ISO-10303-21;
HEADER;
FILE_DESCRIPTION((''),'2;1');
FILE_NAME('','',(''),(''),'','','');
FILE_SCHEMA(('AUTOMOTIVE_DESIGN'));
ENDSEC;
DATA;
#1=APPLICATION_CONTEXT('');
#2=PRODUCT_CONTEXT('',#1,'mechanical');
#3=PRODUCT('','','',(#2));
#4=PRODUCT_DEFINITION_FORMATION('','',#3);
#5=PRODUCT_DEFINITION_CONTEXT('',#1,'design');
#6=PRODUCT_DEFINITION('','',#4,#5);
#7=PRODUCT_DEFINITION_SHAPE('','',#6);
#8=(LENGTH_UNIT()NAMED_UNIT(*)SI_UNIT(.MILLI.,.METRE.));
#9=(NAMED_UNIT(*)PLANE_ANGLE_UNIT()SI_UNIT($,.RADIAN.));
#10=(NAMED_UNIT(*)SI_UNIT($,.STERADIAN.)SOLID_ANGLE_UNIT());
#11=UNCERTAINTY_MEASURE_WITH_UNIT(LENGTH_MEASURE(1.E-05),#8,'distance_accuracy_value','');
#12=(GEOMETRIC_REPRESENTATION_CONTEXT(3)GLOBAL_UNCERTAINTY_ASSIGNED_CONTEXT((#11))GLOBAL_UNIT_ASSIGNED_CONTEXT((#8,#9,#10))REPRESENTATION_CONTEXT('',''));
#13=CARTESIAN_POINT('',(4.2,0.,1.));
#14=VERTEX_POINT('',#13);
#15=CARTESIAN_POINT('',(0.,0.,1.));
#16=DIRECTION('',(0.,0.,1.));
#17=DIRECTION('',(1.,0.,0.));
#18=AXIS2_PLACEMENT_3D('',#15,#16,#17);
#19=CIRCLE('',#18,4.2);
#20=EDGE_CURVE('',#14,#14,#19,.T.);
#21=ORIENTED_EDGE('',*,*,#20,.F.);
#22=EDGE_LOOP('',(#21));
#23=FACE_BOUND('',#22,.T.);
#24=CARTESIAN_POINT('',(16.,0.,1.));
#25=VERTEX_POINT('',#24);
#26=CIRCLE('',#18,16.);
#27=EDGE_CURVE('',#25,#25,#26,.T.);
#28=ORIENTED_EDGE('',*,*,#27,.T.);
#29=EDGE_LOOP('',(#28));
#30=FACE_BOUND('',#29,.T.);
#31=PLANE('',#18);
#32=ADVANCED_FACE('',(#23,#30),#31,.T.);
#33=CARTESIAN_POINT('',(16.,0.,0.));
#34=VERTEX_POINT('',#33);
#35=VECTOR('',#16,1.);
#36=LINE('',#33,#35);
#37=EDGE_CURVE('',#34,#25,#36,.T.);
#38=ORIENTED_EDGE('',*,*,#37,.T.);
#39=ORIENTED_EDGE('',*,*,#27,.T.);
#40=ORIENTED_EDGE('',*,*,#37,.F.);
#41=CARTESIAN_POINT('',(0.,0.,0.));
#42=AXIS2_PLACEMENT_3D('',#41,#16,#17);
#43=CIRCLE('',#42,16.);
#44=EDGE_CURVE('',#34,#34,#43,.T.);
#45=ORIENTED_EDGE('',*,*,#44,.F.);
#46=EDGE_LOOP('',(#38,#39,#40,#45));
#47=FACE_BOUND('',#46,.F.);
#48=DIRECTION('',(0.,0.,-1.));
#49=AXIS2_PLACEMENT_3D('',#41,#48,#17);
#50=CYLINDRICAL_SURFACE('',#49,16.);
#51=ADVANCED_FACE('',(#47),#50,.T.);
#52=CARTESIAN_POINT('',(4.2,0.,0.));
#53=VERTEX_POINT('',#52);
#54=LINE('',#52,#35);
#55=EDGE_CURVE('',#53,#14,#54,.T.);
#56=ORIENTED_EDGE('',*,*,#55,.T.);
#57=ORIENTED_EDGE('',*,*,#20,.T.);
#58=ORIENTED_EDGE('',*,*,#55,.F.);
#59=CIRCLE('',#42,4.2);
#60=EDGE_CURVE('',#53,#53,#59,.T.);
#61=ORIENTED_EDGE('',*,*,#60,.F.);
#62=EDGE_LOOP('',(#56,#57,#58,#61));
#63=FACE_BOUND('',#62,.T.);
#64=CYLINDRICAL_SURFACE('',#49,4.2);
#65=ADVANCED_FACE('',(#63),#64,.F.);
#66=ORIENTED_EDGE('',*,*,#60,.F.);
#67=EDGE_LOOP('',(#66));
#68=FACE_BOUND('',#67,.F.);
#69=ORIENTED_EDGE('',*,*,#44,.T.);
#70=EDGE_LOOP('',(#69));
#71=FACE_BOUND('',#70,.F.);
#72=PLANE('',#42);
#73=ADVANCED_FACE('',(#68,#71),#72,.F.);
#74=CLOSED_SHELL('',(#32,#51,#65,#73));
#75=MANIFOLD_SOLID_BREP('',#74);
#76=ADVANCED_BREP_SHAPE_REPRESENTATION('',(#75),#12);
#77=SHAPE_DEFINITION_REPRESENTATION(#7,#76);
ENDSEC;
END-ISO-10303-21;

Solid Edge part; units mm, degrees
sketch "Sketch1" plane through (0, 0, 0) normal (0, 0, 1) x (1, 0, 0)
  circle A0 centre (0, 0) radius 16
  circle A1 centre (0, 0) radius 4.2
  dimension "D1" = 8.4
  dimension "D2" = 32
extrude "Protrusion1" add sketch "Sketch1" along normal blind 1
